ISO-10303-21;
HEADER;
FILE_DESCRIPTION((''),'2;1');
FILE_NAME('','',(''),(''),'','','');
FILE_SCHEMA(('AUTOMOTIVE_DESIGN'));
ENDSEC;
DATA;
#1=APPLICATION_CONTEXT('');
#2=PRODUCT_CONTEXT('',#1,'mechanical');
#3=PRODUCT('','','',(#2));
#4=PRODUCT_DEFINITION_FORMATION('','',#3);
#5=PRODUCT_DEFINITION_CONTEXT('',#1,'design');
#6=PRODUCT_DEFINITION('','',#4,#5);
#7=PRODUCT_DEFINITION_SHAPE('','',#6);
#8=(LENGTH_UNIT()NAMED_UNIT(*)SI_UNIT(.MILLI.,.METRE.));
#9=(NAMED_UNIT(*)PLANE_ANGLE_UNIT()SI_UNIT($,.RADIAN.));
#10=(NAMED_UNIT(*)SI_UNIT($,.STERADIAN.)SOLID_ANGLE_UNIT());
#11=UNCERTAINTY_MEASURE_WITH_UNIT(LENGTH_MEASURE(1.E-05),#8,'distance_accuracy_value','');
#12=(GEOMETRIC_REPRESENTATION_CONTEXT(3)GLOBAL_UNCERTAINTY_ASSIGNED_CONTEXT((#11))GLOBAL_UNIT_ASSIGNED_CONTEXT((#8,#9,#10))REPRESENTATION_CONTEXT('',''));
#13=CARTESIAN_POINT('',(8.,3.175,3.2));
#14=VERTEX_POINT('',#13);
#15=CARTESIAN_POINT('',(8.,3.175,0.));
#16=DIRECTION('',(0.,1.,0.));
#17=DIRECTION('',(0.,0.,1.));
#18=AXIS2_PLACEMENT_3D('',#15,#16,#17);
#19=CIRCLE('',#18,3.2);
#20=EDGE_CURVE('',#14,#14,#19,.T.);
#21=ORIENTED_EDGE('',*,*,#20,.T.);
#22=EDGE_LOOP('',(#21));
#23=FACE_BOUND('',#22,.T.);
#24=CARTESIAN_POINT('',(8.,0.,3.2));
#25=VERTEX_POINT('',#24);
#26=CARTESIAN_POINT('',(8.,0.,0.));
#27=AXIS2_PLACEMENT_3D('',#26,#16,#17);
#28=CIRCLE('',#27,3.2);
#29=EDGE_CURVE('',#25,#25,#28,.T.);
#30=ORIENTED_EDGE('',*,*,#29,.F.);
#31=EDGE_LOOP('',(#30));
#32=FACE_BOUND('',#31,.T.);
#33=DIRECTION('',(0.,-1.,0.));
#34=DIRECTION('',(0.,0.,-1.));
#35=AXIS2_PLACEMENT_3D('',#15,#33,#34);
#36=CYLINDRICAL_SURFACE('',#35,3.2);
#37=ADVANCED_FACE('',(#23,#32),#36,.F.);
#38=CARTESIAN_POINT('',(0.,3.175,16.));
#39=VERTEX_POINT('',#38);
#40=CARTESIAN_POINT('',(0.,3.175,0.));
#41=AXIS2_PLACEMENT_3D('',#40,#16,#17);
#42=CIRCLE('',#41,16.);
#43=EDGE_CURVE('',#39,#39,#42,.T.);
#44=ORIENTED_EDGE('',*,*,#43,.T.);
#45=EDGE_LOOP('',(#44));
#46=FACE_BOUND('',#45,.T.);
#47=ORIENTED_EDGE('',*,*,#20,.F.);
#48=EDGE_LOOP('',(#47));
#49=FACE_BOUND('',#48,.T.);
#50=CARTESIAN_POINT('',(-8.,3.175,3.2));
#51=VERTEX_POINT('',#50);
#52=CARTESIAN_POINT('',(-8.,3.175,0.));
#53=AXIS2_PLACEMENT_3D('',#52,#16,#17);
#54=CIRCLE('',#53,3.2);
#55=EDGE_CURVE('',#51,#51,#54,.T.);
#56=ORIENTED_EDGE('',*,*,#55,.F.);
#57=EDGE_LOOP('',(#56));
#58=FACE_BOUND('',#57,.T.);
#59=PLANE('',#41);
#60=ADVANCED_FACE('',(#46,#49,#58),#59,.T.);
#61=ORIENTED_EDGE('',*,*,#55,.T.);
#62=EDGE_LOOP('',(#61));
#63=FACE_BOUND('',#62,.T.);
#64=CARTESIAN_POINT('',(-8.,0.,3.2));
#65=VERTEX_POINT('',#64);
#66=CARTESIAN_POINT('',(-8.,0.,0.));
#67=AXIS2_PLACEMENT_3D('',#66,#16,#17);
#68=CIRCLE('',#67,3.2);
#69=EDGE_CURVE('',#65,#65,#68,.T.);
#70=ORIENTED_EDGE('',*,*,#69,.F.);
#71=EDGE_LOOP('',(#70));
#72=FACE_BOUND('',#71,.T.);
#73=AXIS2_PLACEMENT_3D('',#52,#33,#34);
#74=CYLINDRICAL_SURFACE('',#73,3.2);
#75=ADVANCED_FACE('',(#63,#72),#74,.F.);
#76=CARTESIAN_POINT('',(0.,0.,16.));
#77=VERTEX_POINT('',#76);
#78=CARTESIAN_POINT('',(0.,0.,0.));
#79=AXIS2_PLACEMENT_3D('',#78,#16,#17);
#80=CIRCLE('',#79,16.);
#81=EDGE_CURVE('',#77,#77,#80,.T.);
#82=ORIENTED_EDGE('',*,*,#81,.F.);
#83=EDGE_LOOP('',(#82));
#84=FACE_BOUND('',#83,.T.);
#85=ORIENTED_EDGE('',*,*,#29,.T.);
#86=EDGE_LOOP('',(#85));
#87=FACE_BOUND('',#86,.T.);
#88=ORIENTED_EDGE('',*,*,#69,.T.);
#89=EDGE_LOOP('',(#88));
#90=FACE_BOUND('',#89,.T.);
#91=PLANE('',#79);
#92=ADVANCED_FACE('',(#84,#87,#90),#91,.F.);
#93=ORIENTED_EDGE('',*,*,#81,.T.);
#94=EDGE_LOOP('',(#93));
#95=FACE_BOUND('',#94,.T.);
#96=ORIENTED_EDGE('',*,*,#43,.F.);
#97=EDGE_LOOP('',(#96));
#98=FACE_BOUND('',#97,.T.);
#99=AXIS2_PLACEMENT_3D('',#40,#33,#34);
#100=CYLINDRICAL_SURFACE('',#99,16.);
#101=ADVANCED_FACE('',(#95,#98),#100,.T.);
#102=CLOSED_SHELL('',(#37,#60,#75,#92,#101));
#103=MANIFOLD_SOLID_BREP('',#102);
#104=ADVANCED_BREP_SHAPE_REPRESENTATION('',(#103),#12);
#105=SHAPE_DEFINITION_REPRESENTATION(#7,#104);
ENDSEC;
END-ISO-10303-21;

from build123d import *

# Parameters (mm, degrees)
SKETCH1_R           = 16
SKETCH1_R_2         = 3.2
BOSS_EXTRUDE3_DEPTH = 3.175


with BuildPart() as part:
    # Sketch1 → Boss-Extrude3 (new body)
    with BuildSketch(Plane(origin=(0, 0, 0), x_dir=(1, 0, 0), z_dir=(0, 1, 0))):
        with Locations(Location((0, 0, 0), (0, 0, 270))):
            Circle(SKETCH1_R)
        with Locations(Location((8, 0, 0), (0, 0, 270))):
            Circle(SKETCH1_R_2, mode=Mode.SUBTRACT)
        with Locations(Location((-8, 0, 0), (0, 0, 270))):
            Circle(SKETCH1_R_2, mode=Mode.SUBTRACT)
    extrude(amount=BOSS_EXTRUDE3_DEPTH)


solid = part.part
